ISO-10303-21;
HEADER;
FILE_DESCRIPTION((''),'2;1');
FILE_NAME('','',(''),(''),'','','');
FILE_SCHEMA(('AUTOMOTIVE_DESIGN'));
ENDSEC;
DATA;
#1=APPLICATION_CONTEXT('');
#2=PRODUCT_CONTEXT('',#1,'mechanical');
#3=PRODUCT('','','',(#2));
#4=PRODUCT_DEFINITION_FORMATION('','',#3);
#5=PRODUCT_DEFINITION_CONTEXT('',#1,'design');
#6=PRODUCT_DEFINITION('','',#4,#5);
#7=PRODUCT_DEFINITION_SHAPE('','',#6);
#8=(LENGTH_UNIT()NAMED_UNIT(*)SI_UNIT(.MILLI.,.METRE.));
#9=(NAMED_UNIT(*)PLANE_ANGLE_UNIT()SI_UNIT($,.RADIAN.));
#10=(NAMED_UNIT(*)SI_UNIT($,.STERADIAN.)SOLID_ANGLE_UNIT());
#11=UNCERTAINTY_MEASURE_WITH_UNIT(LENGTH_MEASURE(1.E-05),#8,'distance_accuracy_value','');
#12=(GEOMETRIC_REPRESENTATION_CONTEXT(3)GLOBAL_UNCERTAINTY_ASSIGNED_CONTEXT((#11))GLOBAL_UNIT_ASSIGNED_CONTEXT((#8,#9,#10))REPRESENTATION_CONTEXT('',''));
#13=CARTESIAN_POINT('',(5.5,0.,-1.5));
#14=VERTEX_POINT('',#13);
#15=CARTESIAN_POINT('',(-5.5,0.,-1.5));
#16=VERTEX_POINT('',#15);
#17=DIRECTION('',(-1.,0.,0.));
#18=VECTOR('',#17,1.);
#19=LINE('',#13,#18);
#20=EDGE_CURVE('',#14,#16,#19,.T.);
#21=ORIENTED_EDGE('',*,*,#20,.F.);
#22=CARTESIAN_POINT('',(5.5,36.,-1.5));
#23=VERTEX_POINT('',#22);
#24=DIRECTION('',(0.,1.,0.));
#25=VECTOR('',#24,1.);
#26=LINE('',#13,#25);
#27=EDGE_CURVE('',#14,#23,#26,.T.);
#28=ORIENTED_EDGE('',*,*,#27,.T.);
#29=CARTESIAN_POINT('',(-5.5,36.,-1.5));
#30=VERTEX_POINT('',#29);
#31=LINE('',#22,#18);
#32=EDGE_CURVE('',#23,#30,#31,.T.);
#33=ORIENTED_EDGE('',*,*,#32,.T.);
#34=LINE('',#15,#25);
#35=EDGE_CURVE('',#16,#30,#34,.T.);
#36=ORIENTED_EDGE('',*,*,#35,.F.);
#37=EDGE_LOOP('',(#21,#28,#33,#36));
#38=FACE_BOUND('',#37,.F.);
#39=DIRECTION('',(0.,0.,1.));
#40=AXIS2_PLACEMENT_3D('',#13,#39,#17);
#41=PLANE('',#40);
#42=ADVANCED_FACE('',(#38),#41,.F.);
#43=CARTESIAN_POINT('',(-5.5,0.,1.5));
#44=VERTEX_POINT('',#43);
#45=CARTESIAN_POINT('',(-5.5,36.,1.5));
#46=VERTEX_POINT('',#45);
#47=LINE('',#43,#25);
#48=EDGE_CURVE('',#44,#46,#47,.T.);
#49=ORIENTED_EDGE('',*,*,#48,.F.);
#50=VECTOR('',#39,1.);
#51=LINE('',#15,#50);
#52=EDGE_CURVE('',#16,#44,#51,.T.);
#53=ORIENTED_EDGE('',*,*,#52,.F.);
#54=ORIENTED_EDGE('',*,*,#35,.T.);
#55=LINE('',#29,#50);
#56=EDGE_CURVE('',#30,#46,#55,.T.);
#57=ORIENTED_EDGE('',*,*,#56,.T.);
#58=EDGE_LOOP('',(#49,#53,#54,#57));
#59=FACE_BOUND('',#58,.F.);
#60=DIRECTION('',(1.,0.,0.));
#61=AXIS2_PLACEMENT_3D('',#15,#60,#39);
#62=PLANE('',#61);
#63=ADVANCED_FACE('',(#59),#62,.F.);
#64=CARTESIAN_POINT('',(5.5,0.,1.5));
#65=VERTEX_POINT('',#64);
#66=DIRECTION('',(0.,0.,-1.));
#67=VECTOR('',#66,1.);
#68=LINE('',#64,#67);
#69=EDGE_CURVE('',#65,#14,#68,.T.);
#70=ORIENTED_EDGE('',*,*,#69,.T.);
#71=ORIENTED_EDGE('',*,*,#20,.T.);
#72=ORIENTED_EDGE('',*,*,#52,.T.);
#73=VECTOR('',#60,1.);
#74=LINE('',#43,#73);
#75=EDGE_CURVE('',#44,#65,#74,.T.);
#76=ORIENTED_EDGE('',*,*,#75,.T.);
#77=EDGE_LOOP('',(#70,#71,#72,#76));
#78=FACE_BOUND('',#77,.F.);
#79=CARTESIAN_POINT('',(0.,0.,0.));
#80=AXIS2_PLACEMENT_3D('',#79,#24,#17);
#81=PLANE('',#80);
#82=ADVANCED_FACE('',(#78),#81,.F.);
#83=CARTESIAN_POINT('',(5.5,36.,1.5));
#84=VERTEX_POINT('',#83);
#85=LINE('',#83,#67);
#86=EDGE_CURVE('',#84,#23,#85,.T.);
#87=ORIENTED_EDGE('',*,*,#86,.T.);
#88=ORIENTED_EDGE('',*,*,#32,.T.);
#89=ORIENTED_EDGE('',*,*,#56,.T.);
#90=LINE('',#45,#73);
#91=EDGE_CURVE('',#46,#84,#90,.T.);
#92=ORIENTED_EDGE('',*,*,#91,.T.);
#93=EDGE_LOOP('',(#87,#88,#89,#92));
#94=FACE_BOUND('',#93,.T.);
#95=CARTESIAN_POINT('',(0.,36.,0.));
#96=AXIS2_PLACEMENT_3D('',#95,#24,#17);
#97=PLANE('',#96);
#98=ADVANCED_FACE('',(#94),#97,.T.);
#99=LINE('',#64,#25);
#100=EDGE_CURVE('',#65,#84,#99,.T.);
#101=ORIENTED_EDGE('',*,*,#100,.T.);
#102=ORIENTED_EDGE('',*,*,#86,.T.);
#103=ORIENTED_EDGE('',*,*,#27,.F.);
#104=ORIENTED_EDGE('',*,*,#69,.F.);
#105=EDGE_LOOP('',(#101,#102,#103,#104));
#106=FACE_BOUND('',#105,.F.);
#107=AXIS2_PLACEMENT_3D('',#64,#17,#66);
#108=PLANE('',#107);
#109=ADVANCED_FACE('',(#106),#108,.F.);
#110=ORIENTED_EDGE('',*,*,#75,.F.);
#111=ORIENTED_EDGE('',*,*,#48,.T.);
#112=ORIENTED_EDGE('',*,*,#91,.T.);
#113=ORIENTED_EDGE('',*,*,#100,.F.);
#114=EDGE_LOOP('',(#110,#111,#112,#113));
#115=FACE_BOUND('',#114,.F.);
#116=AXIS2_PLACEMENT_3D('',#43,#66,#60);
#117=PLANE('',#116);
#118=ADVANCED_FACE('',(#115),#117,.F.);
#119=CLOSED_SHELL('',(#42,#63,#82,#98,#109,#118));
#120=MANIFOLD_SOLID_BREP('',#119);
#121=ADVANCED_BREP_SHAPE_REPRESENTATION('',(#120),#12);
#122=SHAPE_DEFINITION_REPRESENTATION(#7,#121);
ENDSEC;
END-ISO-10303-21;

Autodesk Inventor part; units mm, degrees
ref_plane "YZ Plane" through (0, 0, 0) normal (1, 0, 0) x (0, 1, 0)
ref_plane "XZ Plane" through (0, 0, 0) normal (0, 1, 0) x (-1, 0, 0)
ref_plane "XY Plane" through (0, 0, 0) normal (0, 0, 1) x (1, 0, 0)
sketch "Boceto1" plane through (0, 0, 0) normal (0, 1, 0) x (-1, 0, 0)
  line L0 (-5.5, -1.5) -> (5.5, -1.5)
  line L1 (5.5, -1.5) -> (5.5, 1.5)
  line L2 (5.5, 1.5) -> (-5.5, 1.5)
  line L3 (-5.5, 1.5) -> (-5.5, -1.5)
  line L4 (-5.5, -1.5) -> (5.5, 1.5) construction
  line L5 (5.5, -1.5) -> (-5.5, 1.5) construction
  point P0 (0, 0)
  dimension "d0" = 11
  dimension "d1" = 3
extrude "Extrusión1" add sketch "Boceto1" along normal blind 36
properties part number "base_bateria2" material "Cristal"
